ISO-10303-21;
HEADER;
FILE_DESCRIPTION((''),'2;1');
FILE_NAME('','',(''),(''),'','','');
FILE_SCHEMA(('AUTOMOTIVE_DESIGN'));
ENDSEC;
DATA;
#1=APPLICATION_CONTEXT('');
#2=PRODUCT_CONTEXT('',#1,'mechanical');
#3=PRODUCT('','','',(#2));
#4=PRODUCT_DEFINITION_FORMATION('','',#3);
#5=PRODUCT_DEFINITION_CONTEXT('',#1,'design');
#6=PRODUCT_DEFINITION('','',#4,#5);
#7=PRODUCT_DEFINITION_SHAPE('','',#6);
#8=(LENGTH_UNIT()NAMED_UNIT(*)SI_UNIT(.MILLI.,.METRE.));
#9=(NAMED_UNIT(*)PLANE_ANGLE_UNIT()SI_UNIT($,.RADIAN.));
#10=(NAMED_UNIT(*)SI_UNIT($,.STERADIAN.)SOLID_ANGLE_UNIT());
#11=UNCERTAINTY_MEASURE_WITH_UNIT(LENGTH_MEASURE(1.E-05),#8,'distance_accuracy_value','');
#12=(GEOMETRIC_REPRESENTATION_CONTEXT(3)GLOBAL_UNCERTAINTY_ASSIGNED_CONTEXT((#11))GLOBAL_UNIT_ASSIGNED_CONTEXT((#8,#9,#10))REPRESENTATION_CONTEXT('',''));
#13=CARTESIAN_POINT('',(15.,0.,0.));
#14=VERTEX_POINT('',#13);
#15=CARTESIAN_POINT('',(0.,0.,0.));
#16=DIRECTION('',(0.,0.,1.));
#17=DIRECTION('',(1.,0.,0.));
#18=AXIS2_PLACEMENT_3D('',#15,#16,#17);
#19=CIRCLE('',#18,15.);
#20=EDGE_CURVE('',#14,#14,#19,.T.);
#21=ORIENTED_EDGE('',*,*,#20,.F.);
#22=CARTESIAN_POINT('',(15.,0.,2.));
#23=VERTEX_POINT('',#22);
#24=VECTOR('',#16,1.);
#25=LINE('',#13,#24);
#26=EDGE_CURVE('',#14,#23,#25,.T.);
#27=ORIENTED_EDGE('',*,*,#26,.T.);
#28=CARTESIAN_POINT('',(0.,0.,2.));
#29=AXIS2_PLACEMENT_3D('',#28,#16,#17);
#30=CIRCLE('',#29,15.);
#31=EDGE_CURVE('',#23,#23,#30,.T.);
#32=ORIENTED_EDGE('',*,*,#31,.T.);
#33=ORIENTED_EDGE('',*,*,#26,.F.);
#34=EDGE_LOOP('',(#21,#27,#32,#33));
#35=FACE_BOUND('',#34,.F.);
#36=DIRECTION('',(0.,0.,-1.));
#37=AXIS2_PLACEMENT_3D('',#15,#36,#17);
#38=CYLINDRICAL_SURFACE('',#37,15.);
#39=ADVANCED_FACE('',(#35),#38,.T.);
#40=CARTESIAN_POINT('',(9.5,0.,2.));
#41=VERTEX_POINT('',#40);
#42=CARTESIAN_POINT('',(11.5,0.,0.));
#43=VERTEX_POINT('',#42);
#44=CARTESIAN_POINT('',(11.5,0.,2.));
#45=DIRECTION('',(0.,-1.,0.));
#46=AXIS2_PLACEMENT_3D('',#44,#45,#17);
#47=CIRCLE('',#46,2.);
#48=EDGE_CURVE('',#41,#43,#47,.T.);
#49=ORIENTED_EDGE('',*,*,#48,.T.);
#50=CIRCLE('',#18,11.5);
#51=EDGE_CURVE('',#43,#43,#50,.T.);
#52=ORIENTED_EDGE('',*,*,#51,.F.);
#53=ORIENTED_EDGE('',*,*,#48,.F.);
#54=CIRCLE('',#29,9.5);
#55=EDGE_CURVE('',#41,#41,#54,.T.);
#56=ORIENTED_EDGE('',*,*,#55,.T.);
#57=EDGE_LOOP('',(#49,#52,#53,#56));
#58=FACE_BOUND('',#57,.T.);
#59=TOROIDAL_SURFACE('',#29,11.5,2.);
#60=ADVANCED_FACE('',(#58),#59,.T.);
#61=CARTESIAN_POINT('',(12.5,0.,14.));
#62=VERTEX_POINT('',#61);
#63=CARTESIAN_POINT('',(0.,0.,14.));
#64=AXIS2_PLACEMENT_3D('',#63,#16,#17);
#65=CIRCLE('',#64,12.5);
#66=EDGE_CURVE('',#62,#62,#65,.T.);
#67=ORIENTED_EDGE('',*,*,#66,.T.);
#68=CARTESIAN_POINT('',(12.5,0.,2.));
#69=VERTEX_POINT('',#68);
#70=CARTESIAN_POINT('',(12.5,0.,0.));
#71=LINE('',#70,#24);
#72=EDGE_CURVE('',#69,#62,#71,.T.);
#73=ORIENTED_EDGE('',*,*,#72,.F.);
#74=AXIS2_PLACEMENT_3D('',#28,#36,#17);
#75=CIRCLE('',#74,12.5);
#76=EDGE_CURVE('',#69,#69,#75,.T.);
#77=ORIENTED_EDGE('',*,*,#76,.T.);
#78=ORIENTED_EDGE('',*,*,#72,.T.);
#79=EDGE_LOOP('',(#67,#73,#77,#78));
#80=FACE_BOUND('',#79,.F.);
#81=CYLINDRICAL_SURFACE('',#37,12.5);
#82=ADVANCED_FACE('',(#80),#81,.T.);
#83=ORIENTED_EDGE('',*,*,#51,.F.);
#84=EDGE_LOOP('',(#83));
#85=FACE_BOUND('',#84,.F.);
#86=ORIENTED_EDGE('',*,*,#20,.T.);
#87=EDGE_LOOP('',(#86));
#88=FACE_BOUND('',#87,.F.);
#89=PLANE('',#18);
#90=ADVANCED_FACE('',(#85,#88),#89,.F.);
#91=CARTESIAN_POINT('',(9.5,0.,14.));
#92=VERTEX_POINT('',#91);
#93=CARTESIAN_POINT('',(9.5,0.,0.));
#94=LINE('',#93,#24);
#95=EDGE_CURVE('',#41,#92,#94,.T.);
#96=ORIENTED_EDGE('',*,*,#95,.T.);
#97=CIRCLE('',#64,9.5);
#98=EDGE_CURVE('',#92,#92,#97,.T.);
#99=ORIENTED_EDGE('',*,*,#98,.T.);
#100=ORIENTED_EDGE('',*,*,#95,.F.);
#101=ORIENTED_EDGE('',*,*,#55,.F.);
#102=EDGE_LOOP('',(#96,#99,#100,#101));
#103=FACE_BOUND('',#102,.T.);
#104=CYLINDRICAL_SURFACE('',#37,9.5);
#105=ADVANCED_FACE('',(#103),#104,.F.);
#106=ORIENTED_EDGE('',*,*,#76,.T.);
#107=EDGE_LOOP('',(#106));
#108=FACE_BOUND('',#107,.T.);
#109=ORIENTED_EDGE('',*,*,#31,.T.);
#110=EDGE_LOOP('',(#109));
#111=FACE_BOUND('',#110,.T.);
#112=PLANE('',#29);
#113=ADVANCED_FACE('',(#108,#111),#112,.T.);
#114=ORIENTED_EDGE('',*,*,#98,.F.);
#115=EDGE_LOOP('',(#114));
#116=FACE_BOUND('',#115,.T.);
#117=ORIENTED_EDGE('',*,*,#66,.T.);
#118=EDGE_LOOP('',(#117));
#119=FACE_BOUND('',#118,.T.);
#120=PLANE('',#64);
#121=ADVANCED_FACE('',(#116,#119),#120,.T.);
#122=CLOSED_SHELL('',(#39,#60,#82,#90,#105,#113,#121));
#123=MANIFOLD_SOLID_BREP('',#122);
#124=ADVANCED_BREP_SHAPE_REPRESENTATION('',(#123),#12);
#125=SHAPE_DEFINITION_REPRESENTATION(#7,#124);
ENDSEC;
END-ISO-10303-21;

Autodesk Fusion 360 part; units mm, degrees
sketch "Sketch1" plane through (0, 0, 0) normal (0, 0, 1) x (1, 0, 0)
  circle A0 centre (0, 0) radius 9.5
  circle A1 centre (0, 0) radius 12.5
  circle A2 centre (0, 0) radius 15
  dimension "d1" = 19
  dimension "d2" = 25
  dimension "d3" = 30
extrude "Extrude1" add sketch "Sketch1" along normal blind 2 contours A1 | A2
extrude "Extrude2" add sketch "Sketch1" along normal blind 14 contours A1
fillet "Fillet1" radius 2 1 edges at (-8.8571, 3.4353, 0)
